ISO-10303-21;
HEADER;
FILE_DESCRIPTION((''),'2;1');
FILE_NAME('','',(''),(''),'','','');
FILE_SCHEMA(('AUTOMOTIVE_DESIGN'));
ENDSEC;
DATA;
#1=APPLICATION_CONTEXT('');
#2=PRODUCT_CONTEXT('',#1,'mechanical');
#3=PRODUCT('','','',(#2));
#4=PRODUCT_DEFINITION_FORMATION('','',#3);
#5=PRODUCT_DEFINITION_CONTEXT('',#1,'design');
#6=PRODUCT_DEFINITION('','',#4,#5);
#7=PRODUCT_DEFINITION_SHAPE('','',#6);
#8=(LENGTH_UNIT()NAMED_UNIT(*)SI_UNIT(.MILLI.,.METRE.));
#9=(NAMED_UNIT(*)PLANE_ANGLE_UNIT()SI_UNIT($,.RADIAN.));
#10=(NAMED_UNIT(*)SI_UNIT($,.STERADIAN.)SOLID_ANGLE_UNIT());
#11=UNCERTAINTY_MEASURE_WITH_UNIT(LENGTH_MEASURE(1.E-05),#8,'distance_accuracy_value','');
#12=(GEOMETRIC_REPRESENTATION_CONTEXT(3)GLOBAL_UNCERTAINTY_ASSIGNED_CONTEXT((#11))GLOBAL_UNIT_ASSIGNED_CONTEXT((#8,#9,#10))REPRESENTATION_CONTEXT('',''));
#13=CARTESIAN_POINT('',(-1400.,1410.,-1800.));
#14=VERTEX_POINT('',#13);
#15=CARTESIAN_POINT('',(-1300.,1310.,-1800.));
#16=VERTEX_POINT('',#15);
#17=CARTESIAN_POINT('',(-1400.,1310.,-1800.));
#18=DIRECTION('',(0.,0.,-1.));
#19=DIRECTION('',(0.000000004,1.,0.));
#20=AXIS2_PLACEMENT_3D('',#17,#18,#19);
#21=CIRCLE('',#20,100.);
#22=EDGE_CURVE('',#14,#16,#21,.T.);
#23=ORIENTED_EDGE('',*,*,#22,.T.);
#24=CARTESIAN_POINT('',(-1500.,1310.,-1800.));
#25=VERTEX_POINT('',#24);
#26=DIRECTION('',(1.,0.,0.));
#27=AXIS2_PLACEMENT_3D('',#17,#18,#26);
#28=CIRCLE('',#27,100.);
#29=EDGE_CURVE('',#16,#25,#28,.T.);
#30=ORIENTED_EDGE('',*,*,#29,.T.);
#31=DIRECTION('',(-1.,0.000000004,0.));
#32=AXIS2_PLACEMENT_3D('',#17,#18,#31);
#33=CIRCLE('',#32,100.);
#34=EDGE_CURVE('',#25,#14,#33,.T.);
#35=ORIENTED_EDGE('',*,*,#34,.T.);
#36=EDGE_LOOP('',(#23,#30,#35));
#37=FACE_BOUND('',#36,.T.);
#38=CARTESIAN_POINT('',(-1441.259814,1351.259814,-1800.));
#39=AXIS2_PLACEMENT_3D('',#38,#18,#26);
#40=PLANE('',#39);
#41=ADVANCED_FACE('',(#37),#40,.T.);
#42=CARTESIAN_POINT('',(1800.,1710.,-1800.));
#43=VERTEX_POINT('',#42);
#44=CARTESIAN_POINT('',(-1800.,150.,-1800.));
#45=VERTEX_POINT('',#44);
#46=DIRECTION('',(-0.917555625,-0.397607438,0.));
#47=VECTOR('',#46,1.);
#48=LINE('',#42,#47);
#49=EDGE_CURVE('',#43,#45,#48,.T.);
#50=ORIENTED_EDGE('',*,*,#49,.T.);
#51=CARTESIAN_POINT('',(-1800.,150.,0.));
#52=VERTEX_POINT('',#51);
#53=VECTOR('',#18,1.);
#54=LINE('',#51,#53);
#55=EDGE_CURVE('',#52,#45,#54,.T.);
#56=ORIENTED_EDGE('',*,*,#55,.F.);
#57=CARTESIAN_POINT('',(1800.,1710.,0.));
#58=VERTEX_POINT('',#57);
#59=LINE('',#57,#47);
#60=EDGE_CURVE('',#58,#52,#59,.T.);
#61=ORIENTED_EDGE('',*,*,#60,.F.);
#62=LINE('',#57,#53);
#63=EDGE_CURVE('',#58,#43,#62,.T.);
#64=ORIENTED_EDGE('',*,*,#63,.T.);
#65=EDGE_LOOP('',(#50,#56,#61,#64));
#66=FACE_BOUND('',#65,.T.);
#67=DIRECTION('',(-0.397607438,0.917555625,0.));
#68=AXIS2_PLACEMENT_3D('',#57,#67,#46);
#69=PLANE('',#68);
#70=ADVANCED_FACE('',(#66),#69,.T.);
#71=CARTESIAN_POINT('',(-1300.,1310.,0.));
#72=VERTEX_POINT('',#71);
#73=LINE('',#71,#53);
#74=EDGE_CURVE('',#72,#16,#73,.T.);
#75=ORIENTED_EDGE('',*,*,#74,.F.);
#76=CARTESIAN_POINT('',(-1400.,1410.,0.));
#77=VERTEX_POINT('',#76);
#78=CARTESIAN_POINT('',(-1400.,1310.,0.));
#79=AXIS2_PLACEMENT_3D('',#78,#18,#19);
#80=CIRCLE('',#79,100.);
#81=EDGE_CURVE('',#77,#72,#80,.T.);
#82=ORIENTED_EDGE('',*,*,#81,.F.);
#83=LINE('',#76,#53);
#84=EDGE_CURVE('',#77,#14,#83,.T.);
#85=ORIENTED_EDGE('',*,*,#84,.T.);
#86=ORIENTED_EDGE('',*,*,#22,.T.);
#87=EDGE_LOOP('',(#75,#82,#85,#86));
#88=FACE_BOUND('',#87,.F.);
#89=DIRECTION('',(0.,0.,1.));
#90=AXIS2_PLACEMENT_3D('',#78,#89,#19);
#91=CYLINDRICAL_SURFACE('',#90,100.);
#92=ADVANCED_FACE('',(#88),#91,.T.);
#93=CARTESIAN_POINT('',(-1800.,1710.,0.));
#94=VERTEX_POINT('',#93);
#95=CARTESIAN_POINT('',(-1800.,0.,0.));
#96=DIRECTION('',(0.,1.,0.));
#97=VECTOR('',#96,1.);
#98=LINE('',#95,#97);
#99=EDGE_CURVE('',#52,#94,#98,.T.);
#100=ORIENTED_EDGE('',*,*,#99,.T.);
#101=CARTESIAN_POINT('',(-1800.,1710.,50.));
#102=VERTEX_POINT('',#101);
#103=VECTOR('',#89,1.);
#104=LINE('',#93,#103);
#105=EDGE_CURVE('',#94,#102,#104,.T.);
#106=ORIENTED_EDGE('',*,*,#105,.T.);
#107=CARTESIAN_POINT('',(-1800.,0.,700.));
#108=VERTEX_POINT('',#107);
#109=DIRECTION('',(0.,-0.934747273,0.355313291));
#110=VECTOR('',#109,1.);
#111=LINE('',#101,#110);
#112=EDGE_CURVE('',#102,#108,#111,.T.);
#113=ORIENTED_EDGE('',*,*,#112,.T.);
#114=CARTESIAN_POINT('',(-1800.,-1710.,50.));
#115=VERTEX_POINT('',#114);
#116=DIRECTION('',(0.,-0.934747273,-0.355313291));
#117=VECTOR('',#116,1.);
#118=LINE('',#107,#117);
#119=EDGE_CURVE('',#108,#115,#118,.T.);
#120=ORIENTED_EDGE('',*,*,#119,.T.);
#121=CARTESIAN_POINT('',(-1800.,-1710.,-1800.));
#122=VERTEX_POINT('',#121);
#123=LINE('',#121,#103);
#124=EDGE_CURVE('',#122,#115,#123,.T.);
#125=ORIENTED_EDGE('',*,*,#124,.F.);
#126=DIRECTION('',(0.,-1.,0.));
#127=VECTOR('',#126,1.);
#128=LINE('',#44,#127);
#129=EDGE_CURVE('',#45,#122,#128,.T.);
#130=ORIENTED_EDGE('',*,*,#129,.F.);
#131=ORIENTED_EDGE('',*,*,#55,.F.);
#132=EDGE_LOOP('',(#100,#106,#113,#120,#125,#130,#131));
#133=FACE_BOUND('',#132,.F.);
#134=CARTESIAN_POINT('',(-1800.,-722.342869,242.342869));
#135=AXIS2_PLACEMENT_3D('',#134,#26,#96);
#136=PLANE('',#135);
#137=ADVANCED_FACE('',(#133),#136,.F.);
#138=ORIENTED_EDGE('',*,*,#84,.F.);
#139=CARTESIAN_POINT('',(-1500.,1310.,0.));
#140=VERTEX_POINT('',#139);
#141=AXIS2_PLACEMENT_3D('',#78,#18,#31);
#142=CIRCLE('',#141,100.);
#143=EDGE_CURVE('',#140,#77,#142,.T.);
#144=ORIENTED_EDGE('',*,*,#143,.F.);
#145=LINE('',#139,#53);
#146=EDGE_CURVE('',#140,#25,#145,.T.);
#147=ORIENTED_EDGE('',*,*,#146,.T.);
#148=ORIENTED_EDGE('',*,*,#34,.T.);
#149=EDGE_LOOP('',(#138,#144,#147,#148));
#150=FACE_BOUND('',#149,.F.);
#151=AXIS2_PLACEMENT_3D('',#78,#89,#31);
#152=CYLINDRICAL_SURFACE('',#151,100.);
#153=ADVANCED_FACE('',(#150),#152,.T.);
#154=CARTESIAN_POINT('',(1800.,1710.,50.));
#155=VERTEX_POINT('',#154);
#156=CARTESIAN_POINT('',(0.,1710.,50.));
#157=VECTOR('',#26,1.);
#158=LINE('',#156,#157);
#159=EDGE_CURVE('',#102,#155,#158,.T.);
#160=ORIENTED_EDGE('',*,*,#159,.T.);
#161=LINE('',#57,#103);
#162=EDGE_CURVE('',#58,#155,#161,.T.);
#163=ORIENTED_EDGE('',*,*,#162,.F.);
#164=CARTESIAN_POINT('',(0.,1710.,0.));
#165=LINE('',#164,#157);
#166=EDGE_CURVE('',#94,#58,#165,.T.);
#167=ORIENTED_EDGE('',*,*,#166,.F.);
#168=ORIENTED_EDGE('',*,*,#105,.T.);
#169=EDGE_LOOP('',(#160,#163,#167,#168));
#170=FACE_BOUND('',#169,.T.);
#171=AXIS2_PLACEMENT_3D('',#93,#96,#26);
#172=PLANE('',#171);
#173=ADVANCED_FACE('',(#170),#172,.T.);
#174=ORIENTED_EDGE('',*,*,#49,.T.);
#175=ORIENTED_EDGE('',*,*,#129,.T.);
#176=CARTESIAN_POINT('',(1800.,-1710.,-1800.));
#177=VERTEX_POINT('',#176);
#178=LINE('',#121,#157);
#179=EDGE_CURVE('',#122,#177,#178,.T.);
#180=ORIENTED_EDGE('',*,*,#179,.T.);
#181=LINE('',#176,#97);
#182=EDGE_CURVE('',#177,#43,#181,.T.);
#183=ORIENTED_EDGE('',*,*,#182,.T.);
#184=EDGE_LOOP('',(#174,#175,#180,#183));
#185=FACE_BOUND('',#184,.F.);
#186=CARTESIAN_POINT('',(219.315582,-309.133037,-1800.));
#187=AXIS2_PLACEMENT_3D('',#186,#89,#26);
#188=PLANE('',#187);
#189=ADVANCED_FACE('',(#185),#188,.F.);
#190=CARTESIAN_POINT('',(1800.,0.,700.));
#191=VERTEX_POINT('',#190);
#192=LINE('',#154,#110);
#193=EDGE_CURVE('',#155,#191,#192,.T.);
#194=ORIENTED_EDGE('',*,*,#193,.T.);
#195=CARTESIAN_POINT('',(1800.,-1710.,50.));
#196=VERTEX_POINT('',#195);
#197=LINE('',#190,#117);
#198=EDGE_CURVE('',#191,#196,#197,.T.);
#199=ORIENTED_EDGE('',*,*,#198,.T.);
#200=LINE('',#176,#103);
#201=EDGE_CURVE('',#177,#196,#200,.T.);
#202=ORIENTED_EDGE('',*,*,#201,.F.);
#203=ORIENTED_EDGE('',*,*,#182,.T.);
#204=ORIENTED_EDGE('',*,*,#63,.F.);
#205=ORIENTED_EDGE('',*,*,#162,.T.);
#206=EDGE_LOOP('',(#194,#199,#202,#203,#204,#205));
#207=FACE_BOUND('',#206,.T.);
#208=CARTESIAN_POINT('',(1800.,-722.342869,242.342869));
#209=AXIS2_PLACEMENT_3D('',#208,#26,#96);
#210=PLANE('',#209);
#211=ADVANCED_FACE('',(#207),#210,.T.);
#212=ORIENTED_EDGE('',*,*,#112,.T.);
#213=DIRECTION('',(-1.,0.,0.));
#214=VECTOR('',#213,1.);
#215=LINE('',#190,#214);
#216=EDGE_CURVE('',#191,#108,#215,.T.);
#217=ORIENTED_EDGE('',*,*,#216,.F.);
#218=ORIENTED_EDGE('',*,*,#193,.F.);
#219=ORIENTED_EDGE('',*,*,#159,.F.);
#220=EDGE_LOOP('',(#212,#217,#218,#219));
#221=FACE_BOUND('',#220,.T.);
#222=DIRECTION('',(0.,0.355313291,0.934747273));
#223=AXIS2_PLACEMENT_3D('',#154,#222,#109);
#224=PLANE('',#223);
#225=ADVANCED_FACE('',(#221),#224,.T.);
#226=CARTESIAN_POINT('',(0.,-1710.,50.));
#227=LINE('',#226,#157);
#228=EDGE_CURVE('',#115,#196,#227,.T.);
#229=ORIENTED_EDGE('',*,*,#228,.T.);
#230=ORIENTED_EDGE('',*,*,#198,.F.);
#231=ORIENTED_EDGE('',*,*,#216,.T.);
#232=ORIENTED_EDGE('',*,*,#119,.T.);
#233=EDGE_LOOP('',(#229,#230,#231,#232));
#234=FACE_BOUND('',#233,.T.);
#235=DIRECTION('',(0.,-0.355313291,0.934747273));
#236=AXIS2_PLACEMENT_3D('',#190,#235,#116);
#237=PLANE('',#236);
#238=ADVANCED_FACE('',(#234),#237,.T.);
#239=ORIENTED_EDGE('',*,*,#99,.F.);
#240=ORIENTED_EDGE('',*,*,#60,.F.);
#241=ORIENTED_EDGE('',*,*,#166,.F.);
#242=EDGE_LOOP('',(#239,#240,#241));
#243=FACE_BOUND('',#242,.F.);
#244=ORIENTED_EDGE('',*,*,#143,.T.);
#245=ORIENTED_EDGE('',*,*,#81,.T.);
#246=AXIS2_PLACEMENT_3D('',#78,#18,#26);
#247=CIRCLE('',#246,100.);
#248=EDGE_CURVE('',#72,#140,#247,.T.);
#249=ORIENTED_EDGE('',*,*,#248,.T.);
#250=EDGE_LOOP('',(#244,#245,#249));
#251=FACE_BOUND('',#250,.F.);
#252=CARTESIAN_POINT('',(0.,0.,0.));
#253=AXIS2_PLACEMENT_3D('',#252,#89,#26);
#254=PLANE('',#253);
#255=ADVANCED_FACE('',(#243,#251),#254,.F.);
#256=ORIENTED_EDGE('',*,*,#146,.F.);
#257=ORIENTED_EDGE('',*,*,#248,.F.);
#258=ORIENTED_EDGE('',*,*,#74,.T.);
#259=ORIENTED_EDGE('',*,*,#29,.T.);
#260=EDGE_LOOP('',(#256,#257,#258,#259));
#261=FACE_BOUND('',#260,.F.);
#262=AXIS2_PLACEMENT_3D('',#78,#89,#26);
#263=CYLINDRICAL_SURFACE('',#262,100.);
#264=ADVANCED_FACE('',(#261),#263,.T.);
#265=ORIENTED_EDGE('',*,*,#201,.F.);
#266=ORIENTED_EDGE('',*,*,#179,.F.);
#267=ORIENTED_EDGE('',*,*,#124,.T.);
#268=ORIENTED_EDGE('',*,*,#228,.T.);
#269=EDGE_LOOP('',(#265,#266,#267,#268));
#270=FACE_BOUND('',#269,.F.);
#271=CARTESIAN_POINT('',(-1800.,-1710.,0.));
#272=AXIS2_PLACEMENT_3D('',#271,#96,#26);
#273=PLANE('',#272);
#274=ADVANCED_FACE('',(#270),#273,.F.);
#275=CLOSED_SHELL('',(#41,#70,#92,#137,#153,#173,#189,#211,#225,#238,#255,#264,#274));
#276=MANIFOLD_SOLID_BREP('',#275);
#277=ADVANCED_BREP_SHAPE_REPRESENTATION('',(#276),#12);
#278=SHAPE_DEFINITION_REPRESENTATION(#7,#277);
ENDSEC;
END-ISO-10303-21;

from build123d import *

# Parameters (mm, degrees)
F1_DEPTH = 1800
F2_W     = 3600
F2_H     = 3420
F3_DEPTH = 50
F6_DEPTH = 3600
F8_DEPTH = 1800


with BuildPart() as f1:
    # F0 (on Top) → F1 (new body)
    with BuildSketch(Plane.XY):
        Polygon((-1800, 150), (-1800, -1710), (1800, -1710), (1800, 150), (1800, 1710), align=None)
    extrude(amount=-F1_DEPTH)

    # F2 (on face) → F3 (join)
    with BuildSketch(Plane.XY):
        Rectangle(F2_W, F2_H)
    extrude(amount=F3_DEPTH)

    # F5 (on face) → F6 (join)
    with BuildSketch(Plane.YZ.offset(1800)):
        Polygon((-1710, 50), (0, 50), (0, 700), align=None)
        Polygon((0, 700), (0, 50), (1710, 50), align=None)
    extrude(amount=-F6_DEPTH)

    # F7 (on face) → F8 (join)
    with BuildSketch(Plane(origin=(0, 0, 0), x_dir=(1, 0, 0), z_dir=(0, 0, -1))):
        with BuildLine():
            ThreePointArc((-1500, -1310), (-1470.710678, -1380.710678), (-1400, -1410))
            Line((-1400, -1410), (-1400, -1310))
            Line((-1400, -1310), (-1500, -1310))
        make_face()
        with BuildLine():
            Line((-1400, -1310), (-1400, -1410))
            ThreePointArc((-1400, -1410), (-1329.289322, -1380.710678), (-1300, -1310))
            ThreePointArc((-1300, -1310), (-1400, -1210), (-1500, -1310))
            Line((-1500, -1310), (-1400, -1310))
        make_face()
    extrude(amount=F8_DEPTH)


solid = f1.part
